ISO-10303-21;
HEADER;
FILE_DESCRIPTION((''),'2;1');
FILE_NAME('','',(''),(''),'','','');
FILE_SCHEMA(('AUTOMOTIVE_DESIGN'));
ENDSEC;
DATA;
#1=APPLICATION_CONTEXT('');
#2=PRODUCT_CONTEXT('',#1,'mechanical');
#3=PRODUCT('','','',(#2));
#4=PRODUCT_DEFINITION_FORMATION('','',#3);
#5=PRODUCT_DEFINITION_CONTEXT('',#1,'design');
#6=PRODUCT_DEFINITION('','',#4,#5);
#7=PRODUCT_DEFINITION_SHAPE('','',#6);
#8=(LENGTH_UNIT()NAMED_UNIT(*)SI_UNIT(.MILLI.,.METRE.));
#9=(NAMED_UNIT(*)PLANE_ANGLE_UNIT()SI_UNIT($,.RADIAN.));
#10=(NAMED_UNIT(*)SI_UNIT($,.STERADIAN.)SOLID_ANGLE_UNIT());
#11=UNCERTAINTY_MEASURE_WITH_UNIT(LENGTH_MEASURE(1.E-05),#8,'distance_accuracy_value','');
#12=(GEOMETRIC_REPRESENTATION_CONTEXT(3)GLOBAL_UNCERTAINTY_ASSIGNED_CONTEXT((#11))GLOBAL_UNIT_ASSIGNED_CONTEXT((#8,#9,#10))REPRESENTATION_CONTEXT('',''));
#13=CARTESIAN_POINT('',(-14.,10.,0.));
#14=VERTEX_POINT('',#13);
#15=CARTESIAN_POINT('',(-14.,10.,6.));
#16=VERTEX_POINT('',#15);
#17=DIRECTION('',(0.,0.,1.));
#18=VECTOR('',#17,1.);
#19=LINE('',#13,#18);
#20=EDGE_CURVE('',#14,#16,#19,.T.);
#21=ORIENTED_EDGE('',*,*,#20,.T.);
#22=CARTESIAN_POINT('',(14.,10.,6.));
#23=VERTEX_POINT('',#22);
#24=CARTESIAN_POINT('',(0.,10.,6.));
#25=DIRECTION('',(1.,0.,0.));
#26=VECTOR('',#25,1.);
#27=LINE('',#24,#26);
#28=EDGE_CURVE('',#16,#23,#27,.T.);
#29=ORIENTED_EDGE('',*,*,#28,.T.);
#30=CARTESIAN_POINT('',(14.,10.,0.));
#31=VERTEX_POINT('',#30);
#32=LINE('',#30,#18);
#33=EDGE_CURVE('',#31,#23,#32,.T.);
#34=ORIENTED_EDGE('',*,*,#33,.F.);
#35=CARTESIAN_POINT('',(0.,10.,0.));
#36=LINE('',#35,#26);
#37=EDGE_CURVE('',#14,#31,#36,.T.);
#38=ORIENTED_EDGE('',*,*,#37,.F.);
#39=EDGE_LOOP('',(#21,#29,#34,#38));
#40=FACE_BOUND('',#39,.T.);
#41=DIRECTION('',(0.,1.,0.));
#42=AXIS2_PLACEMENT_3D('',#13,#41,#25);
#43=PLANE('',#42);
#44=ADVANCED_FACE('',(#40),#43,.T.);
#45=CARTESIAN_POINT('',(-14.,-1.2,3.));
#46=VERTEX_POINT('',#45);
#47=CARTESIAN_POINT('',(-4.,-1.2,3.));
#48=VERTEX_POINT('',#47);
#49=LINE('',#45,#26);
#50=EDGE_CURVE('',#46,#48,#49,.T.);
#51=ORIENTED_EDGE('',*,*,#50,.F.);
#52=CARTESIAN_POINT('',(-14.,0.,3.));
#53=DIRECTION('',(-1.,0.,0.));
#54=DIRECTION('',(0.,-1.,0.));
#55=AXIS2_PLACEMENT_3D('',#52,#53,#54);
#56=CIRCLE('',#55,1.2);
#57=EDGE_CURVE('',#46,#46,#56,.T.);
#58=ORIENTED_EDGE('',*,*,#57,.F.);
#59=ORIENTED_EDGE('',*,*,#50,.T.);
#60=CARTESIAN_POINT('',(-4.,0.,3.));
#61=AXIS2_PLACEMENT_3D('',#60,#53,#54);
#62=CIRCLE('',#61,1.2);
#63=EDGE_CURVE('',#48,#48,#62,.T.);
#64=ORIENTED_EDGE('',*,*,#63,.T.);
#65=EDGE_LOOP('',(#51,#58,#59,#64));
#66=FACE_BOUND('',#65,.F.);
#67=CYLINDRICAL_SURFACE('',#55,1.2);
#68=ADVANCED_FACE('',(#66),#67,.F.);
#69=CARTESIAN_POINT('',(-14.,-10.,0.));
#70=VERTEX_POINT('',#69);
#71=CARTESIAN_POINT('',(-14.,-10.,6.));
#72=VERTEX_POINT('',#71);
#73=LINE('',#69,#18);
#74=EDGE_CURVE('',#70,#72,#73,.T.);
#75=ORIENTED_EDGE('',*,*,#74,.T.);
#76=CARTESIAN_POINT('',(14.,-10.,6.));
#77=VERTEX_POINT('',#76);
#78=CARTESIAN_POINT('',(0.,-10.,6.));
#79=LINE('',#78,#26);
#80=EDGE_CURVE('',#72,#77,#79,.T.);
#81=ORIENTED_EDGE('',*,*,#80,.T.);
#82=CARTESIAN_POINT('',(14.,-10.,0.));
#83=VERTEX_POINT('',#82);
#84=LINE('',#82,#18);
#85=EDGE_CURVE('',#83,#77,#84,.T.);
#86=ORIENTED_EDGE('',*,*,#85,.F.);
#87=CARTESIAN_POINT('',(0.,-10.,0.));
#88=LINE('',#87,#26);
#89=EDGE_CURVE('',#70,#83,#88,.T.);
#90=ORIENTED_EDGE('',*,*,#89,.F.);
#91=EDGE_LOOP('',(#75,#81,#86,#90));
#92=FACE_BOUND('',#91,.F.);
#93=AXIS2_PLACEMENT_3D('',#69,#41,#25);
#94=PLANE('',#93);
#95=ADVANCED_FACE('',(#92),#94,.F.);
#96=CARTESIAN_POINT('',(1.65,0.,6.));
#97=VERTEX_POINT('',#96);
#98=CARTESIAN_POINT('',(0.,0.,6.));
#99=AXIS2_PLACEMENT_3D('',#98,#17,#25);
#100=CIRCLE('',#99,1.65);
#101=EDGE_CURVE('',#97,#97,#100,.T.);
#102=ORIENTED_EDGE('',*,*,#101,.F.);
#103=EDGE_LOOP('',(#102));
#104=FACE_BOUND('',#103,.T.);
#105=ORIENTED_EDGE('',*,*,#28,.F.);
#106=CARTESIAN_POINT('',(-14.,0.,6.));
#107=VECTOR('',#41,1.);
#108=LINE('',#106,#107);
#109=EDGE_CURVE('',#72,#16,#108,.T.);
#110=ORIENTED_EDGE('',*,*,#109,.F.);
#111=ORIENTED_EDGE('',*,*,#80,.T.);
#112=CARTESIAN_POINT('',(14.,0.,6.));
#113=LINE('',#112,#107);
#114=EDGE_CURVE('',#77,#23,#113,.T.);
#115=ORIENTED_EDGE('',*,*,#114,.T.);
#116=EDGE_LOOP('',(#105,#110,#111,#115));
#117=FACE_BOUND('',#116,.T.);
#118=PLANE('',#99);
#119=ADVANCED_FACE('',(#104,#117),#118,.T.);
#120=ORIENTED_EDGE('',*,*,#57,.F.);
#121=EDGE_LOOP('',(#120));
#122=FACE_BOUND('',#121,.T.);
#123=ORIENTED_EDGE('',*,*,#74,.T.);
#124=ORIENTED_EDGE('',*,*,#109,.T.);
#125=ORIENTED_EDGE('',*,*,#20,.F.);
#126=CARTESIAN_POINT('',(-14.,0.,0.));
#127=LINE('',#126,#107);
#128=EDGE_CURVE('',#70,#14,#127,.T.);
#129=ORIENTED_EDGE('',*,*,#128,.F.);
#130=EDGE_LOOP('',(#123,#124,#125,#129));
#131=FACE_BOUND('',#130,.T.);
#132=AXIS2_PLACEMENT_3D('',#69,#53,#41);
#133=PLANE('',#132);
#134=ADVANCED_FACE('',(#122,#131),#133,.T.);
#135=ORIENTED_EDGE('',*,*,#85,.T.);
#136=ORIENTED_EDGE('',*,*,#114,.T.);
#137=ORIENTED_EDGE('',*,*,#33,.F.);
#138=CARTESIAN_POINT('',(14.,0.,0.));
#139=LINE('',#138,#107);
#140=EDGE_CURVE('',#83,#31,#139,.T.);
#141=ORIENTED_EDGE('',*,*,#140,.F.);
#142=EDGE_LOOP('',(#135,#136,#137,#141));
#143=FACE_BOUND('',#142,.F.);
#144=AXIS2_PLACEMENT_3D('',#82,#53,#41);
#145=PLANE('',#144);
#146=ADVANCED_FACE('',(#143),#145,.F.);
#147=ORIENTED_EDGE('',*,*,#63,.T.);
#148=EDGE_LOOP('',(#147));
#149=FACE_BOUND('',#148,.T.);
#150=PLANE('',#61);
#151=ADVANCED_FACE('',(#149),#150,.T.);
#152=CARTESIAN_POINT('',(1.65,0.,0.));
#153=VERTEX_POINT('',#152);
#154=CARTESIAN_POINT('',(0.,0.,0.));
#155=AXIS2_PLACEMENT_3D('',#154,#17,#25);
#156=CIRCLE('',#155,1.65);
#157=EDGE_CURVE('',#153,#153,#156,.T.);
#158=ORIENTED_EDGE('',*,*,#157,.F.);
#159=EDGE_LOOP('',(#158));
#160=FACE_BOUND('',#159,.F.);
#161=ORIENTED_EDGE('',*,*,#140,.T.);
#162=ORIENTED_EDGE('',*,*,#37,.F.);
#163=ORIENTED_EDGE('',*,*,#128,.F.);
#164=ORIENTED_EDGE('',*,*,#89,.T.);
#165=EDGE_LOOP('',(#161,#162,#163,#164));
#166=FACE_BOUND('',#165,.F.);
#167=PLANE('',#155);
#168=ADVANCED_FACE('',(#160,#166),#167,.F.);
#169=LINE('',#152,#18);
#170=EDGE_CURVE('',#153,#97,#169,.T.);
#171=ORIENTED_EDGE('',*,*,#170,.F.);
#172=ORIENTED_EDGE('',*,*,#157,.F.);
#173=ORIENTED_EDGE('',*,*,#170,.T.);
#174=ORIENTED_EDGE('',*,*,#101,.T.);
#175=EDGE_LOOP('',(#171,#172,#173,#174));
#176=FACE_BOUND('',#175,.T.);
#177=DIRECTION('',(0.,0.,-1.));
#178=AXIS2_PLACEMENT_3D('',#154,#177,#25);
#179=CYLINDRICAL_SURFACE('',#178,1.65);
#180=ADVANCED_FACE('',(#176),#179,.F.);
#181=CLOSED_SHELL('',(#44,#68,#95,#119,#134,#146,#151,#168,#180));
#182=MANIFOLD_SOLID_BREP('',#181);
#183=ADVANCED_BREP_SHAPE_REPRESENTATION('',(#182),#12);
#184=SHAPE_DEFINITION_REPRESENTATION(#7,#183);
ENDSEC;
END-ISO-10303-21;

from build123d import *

# Parameters (mm, degrees)
F0_W     = 28
F0_H     = 20
F0_R     = 1.65
F1_DEPTH = 6
F2_R     = 1.2
F3_DEPTH = 10


with BuildPart() as f1:
    # F0 (on Top) → F1 (new body)
    with BuildSketch(Plane.XY):
        Rectangle(F0_W, F0_H)
        Circle(F0_R, mode=Mode.SUBTRACT)
    extrude(amount=F1_DEPTH)

    # F2 (on face) → F3 (cut)
    with BuildSketch(Plane(origin=(-14, 0, 0), x_dir=(0, -1, 0), z_dir=(-1, 0, 0))):
        with Locations((0, 3)):
            Circle(F2_R)
    extrude(amount=-F3_DEPTH, mode=Mode.SUBTRACT)


solid = f1.part
